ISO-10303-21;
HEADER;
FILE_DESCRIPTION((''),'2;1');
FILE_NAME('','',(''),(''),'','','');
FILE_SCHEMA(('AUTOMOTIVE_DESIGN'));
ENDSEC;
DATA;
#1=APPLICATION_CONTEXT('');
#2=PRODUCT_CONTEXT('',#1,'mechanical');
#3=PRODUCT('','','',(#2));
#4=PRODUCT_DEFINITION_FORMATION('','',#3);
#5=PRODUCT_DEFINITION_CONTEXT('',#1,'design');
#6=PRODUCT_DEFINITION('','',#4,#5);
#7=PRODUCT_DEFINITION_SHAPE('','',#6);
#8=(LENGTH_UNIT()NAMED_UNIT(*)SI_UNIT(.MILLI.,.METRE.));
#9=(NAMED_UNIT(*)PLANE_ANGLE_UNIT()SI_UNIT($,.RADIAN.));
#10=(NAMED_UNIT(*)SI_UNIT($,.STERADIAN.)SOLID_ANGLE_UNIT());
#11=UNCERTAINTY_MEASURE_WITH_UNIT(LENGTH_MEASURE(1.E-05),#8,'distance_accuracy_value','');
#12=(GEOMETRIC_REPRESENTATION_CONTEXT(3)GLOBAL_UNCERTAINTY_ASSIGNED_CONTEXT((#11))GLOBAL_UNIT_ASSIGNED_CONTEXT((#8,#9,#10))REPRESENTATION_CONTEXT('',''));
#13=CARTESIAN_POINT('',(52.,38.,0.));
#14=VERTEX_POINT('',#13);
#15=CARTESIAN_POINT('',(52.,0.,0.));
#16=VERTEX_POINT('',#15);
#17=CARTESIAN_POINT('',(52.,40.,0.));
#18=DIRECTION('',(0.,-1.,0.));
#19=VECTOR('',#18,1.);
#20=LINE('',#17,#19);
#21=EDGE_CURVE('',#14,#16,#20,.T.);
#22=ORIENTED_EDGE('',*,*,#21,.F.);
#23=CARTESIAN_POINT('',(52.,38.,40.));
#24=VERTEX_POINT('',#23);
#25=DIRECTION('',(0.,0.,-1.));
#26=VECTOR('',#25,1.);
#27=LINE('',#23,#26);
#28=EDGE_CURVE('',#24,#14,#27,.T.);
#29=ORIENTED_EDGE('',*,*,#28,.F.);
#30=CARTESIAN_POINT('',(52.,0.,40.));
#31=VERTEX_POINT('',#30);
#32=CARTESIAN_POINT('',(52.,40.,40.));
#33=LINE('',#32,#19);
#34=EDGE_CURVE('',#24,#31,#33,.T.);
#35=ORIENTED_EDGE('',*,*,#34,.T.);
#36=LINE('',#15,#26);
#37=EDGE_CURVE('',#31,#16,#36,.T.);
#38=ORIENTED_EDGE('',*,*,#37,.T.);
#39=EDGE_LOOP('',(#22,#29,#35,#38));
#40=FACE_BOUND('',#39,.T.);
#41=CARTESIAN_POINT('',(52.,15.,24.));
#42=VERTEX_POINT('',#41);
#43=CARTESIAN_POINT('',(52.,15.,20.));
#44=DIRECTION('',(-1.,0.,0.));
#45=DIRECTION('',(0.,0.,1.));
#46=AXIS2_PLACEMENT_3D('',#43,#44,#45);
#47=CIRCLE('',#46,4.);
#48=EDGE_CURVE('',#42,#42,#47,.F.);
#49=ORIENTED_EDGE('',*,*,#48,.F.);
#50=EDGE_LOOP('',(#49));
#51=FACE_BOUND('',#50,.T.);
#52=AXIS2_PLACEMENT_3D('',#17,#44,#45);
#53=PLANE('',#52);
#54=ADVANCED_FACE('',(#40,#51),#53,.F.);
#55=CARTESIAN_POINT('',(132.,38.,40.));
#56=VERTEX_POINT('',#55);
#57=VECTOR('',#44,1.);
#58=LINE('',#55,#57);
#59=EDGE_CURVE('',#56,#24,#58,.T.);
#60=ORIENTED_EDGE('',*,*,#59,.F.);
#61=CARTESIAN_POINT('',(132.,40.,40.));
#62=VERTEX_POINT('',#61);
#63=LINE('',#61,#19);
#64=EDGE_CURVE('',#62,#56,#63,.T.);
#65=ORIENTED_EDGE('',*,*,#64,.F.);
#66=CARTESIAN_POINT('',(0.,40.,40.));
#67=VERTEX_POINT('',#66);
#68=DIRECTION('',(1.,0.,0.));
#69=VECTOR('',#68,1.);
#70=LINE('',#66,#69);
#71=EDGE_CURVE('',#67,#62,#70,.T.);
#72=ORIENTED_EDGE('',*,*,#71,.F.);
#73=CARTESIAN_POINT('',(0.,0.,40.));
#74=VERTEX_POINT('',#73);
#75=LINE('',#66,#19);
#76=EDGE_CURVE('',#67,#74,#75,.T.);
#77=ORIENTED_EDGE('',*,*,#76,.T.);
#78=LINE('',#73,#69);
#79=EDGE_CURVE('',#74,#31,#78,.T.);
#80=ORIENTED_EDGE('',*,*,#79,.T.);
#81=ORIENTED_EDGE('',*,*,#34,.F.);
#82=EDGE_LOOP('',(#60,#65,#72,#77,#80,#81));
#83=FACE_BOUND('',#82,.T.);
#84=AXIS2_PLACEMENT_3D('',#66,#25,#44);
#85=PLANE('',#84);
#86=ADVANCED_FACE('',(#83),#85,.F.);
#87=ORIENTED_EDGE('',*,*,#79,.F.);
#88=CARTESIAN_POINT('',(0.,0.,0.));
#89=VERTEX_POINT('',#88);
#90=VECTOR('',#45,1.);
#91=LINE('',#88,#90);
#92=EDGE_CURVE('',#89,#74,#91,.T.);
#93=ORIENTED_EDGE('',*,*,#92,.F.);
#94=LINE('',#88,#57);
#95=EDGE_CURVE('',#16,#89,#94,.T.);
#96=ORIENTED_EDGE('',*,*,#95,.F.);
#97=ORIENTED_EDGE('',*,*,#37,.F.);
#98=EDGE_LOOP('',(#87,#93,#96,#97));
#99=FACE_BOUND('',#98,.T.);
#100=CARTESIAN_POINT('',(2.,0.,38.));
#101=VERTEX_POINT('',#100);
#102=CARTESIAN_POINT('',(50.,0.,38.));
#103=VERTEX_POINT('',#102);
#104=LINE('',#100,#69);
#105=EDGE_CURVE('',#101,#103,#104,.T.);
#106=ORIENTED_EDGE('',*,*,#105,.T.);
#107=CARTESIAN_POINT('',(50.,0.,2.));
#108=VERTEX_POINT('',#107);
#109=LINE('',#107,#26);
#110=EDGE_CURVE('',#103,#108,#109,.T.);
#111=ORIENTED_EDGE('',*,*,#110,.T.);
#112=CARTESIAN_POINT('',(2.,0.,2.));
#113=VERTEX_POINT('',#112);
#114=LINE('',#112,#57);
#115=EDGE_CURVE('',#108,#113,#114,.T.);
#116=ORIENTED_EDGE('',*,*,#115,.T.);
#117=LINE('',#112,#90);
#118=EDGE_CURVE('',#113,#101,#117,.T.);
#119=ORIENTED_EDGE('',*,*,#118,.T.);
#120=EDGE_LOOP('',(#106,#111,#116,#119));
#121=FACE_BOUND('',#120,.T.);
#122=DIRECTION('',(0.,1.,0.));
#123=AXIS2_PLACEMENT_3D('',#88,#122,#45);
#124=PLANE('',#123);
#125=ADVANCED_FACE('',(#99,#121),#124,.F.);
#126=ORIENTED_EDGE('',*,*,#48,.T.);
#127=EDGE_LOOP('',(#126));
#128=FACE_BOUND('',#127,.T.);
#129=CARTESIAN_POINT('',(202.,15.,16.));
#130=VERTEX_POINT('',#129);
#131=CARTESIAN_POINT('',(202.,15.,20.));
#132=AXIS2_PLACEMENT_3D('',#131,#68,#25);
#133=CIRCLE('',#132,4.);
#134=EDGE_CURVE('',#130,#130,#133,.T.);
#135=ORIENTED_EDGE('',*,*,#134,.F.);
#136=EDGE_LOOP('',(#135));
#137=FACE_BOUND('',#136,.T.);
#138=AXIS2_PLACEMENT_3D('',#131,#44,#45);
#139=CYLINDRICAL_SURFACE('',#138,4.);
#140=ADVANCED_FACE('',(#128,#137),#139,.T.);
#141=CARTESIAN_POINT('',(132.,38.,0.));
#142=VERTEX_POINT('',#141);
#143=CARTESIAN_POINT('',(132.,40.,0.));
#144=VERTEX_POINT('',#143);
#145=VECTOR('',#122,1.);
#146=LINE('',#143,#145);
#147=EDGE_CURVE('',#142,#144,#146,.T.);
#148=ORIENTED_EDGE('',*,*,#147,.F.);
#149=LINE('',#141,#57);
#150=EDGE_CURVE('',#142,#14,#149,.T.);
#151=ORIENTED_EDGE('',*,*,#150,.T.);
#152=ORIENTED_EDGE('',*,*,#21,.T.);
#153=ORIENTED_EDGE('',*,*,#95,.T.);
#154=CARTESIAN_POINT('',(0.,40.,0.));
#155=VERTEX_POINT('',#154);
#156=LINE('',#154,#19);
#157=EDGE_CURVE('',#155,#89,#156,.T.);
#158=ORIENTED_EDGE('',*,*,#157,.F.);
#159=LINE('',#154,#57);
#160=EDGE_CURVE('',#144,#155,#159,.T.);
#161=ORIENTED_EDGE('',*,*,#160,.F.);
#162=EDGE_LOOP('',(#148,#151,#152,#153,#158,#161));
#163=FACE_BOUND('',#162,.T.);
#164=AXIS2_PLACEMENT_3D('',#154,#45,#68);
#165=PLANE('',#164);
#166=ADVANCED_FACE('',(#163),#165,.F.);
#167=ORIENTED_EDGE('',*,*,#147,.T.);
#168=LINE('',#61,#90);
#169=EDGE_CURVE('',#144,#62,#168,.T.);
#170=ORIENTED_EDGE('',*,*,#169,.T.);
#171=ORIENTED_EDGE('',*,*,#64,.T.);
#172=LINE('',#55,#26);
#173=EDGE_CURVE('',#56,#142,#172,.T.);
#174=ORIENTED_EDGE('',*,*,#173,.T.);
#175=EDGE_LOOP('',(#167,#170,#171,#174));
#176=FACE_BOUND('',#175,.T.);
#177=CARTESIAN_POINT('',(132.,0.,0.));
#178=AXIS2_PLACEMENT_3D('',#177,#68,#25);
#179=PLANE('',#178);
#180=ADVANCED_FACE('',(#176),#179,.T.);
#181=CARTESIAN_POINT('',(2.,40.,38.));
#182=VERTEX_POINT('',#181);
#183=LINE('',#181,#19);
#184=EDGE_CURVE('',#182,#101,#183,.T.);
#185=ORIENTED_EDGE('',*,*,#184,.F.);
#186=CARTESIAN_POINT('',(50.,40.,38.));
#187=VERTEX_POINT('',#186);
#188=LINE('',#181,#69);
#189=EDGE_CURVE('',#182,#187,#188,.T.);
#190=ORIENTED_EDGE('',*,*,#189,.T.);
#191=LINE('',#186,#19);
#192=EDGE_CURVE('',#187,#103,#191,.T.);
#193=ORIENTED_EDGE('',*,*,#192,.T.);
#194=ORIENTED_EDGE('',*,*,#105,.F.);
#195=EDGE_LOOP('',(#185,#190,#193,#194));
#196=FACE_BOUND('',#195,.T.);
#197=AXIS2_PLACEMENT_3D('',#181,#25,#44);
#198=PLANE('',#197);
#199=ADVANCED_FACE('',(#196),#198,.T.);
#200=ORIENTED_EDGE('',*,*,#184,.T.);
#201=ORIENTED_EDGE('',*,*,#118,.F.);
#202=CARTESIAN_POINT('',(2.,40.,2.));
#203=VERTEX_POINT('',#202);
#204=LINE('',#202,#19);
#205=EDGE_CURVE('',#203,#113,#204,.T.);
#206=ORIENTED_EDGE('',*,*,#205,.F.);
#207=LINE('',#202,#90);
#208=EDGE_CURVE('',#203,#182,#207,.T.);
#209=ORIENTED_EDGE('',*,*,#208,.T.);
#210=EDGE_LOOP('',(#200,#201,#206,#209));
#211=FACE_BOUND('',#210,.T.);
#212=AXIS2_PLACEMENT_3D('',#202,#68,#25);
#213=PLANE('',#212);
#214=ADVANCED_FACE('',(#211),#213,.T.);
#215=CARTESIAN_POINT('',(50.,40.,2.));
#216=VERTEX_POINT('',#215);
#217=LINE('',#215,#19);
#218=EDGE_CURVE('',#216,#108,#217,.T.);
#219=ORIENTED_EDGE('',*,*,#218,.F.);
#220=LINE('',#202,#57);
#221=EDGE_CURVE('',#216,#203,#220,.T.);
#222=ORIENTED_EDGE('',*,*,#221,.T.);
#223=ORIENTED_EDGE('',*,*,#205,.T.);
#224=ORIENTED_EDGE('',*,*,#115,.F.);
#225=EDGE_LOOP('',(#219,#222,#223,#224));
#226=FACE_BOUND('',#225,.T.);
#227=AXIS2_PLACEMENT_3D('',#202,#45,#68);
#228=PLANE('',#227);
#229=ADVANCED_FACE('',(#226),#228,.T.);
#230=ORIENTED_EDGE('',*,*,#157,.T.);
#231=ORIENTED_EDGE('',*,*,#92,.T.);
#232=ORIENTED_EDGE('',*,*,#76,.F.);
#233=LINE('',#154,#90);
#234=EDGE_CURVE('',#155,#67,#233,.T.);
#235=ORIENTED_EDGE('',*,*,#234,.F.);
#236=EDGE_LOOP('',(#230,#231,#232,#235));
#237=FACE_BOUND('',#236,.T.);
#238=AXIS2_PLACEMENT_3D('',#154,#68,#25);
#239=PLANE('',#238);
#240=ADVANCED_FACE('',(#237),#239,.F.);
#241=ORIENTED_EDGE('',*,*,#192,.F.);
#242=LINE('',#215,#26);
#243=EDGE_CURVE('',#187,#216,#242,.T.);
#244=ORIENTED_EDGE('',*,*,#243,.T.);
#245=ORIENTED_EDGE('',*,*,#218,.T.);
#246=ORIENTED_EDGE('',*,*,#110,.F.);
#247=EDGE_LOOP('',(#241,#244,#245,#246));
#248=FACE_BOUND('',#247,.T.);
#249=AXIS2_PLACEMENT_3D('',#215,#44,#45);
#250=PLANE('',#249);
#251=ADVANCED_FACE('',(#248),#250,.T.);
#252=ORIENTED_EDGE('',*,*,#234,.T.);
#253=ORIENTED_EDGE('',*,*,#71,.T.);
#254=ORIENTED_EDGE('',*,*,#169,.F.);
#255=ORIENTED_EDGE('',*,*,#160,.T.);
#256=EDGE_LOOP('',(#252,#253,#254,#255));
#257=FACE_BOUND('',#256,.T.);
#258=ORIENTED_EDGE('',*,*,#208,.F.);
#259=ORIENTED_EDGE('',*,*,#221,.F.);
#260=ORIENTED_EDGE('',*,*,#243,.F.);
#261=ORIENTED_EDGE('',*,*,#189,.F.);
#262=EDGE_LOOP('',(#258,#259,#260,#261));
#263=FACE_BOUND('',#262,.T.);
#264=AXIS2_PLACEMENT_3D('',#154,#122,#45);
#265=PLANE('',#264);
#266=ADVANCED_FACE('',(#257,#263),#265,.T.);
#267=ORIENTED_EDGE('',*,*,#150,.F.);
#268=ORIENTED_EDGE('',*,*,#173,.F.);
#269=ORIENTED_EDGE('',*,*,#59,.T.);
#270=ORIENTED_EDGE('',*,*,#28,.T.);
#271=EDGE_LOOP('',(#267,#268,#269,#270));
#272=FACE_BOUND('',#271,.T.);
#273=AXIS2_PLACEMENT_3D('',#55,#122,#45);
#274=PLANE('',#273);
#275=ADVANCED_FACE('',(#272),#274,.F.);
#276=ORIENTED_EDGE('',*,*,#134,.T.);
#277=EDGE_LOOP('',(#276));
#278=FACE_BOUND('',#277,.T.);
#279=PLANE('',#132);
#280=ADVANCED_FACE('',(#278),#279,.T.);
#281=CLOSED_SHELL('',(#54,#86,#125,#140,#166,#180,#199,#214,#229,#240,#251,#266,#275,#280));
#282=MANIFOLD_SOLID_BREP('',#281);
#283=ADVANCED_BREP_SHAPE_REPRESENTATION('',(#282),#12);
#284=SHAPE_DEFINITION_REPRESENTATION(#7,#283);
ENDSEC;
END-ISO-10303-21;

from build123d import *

# Parameters (mm, degrees)
SKETCH1_W           = 52
SKETCH1_H           = 40
SKETCH1_W_2         = 48
SKETCH1_H_2         = 36
BOSS_EXTRUDE1_DEPTH = 40
SKETCH2_W           = 40
SKETCH2_H           = 2
BOSS_EXTRUDE2_DEPTH = 80
SKETCH3_R           = 4
BOSS_EXTRUDE3_DEPTH = 150


with BuildPart() as part:
    # Sketch1 → Boss-Extrude1 (new body)
    with BuildSketch(Plane(origin=(0, 0, 0), x_dir=(1, 0, 0), z_dir=(0, 1, 0))):
        with Locations((26, -20)):
            Rectangle(SKETCH1_W, SKETCH1_H)
        with Locations((26, -20)):
            Rectangle(SKETCH1_W_2, SKETCH1_H_2, mode=Mode.SUBTRACT)
    extrude(amount=BOSS_EXTRUDE1_DEPTH)

    # Sketch2 → Boss-Extrude2 (add)
    with BuildSketch(Plane(origin=(52, 0, 0), x_dir=(0, 0, -1), z_dir=(1, 0, 0))):
        with Locations((-20, 39)):
            Rectangle(SKETCH2_W, SKETCH2_H)
    extrude(amount=BOSS_EXTRUDE2_DEPTH)

    # Sketch3 → Boss-Extrude3 (add)
    with BuildSketch(Plane(origin=(52, 0, 0), x_dir=(0, 0, -1), z_dir=(1, 0, 0))):
        with Locations(Location((-20, 15, 0), (0, 0, 180))):
            Circle(SKETCH3_R)
    extrude(amount=BOSS_EXTRUDE3_DEPTH)


solid = part.part
